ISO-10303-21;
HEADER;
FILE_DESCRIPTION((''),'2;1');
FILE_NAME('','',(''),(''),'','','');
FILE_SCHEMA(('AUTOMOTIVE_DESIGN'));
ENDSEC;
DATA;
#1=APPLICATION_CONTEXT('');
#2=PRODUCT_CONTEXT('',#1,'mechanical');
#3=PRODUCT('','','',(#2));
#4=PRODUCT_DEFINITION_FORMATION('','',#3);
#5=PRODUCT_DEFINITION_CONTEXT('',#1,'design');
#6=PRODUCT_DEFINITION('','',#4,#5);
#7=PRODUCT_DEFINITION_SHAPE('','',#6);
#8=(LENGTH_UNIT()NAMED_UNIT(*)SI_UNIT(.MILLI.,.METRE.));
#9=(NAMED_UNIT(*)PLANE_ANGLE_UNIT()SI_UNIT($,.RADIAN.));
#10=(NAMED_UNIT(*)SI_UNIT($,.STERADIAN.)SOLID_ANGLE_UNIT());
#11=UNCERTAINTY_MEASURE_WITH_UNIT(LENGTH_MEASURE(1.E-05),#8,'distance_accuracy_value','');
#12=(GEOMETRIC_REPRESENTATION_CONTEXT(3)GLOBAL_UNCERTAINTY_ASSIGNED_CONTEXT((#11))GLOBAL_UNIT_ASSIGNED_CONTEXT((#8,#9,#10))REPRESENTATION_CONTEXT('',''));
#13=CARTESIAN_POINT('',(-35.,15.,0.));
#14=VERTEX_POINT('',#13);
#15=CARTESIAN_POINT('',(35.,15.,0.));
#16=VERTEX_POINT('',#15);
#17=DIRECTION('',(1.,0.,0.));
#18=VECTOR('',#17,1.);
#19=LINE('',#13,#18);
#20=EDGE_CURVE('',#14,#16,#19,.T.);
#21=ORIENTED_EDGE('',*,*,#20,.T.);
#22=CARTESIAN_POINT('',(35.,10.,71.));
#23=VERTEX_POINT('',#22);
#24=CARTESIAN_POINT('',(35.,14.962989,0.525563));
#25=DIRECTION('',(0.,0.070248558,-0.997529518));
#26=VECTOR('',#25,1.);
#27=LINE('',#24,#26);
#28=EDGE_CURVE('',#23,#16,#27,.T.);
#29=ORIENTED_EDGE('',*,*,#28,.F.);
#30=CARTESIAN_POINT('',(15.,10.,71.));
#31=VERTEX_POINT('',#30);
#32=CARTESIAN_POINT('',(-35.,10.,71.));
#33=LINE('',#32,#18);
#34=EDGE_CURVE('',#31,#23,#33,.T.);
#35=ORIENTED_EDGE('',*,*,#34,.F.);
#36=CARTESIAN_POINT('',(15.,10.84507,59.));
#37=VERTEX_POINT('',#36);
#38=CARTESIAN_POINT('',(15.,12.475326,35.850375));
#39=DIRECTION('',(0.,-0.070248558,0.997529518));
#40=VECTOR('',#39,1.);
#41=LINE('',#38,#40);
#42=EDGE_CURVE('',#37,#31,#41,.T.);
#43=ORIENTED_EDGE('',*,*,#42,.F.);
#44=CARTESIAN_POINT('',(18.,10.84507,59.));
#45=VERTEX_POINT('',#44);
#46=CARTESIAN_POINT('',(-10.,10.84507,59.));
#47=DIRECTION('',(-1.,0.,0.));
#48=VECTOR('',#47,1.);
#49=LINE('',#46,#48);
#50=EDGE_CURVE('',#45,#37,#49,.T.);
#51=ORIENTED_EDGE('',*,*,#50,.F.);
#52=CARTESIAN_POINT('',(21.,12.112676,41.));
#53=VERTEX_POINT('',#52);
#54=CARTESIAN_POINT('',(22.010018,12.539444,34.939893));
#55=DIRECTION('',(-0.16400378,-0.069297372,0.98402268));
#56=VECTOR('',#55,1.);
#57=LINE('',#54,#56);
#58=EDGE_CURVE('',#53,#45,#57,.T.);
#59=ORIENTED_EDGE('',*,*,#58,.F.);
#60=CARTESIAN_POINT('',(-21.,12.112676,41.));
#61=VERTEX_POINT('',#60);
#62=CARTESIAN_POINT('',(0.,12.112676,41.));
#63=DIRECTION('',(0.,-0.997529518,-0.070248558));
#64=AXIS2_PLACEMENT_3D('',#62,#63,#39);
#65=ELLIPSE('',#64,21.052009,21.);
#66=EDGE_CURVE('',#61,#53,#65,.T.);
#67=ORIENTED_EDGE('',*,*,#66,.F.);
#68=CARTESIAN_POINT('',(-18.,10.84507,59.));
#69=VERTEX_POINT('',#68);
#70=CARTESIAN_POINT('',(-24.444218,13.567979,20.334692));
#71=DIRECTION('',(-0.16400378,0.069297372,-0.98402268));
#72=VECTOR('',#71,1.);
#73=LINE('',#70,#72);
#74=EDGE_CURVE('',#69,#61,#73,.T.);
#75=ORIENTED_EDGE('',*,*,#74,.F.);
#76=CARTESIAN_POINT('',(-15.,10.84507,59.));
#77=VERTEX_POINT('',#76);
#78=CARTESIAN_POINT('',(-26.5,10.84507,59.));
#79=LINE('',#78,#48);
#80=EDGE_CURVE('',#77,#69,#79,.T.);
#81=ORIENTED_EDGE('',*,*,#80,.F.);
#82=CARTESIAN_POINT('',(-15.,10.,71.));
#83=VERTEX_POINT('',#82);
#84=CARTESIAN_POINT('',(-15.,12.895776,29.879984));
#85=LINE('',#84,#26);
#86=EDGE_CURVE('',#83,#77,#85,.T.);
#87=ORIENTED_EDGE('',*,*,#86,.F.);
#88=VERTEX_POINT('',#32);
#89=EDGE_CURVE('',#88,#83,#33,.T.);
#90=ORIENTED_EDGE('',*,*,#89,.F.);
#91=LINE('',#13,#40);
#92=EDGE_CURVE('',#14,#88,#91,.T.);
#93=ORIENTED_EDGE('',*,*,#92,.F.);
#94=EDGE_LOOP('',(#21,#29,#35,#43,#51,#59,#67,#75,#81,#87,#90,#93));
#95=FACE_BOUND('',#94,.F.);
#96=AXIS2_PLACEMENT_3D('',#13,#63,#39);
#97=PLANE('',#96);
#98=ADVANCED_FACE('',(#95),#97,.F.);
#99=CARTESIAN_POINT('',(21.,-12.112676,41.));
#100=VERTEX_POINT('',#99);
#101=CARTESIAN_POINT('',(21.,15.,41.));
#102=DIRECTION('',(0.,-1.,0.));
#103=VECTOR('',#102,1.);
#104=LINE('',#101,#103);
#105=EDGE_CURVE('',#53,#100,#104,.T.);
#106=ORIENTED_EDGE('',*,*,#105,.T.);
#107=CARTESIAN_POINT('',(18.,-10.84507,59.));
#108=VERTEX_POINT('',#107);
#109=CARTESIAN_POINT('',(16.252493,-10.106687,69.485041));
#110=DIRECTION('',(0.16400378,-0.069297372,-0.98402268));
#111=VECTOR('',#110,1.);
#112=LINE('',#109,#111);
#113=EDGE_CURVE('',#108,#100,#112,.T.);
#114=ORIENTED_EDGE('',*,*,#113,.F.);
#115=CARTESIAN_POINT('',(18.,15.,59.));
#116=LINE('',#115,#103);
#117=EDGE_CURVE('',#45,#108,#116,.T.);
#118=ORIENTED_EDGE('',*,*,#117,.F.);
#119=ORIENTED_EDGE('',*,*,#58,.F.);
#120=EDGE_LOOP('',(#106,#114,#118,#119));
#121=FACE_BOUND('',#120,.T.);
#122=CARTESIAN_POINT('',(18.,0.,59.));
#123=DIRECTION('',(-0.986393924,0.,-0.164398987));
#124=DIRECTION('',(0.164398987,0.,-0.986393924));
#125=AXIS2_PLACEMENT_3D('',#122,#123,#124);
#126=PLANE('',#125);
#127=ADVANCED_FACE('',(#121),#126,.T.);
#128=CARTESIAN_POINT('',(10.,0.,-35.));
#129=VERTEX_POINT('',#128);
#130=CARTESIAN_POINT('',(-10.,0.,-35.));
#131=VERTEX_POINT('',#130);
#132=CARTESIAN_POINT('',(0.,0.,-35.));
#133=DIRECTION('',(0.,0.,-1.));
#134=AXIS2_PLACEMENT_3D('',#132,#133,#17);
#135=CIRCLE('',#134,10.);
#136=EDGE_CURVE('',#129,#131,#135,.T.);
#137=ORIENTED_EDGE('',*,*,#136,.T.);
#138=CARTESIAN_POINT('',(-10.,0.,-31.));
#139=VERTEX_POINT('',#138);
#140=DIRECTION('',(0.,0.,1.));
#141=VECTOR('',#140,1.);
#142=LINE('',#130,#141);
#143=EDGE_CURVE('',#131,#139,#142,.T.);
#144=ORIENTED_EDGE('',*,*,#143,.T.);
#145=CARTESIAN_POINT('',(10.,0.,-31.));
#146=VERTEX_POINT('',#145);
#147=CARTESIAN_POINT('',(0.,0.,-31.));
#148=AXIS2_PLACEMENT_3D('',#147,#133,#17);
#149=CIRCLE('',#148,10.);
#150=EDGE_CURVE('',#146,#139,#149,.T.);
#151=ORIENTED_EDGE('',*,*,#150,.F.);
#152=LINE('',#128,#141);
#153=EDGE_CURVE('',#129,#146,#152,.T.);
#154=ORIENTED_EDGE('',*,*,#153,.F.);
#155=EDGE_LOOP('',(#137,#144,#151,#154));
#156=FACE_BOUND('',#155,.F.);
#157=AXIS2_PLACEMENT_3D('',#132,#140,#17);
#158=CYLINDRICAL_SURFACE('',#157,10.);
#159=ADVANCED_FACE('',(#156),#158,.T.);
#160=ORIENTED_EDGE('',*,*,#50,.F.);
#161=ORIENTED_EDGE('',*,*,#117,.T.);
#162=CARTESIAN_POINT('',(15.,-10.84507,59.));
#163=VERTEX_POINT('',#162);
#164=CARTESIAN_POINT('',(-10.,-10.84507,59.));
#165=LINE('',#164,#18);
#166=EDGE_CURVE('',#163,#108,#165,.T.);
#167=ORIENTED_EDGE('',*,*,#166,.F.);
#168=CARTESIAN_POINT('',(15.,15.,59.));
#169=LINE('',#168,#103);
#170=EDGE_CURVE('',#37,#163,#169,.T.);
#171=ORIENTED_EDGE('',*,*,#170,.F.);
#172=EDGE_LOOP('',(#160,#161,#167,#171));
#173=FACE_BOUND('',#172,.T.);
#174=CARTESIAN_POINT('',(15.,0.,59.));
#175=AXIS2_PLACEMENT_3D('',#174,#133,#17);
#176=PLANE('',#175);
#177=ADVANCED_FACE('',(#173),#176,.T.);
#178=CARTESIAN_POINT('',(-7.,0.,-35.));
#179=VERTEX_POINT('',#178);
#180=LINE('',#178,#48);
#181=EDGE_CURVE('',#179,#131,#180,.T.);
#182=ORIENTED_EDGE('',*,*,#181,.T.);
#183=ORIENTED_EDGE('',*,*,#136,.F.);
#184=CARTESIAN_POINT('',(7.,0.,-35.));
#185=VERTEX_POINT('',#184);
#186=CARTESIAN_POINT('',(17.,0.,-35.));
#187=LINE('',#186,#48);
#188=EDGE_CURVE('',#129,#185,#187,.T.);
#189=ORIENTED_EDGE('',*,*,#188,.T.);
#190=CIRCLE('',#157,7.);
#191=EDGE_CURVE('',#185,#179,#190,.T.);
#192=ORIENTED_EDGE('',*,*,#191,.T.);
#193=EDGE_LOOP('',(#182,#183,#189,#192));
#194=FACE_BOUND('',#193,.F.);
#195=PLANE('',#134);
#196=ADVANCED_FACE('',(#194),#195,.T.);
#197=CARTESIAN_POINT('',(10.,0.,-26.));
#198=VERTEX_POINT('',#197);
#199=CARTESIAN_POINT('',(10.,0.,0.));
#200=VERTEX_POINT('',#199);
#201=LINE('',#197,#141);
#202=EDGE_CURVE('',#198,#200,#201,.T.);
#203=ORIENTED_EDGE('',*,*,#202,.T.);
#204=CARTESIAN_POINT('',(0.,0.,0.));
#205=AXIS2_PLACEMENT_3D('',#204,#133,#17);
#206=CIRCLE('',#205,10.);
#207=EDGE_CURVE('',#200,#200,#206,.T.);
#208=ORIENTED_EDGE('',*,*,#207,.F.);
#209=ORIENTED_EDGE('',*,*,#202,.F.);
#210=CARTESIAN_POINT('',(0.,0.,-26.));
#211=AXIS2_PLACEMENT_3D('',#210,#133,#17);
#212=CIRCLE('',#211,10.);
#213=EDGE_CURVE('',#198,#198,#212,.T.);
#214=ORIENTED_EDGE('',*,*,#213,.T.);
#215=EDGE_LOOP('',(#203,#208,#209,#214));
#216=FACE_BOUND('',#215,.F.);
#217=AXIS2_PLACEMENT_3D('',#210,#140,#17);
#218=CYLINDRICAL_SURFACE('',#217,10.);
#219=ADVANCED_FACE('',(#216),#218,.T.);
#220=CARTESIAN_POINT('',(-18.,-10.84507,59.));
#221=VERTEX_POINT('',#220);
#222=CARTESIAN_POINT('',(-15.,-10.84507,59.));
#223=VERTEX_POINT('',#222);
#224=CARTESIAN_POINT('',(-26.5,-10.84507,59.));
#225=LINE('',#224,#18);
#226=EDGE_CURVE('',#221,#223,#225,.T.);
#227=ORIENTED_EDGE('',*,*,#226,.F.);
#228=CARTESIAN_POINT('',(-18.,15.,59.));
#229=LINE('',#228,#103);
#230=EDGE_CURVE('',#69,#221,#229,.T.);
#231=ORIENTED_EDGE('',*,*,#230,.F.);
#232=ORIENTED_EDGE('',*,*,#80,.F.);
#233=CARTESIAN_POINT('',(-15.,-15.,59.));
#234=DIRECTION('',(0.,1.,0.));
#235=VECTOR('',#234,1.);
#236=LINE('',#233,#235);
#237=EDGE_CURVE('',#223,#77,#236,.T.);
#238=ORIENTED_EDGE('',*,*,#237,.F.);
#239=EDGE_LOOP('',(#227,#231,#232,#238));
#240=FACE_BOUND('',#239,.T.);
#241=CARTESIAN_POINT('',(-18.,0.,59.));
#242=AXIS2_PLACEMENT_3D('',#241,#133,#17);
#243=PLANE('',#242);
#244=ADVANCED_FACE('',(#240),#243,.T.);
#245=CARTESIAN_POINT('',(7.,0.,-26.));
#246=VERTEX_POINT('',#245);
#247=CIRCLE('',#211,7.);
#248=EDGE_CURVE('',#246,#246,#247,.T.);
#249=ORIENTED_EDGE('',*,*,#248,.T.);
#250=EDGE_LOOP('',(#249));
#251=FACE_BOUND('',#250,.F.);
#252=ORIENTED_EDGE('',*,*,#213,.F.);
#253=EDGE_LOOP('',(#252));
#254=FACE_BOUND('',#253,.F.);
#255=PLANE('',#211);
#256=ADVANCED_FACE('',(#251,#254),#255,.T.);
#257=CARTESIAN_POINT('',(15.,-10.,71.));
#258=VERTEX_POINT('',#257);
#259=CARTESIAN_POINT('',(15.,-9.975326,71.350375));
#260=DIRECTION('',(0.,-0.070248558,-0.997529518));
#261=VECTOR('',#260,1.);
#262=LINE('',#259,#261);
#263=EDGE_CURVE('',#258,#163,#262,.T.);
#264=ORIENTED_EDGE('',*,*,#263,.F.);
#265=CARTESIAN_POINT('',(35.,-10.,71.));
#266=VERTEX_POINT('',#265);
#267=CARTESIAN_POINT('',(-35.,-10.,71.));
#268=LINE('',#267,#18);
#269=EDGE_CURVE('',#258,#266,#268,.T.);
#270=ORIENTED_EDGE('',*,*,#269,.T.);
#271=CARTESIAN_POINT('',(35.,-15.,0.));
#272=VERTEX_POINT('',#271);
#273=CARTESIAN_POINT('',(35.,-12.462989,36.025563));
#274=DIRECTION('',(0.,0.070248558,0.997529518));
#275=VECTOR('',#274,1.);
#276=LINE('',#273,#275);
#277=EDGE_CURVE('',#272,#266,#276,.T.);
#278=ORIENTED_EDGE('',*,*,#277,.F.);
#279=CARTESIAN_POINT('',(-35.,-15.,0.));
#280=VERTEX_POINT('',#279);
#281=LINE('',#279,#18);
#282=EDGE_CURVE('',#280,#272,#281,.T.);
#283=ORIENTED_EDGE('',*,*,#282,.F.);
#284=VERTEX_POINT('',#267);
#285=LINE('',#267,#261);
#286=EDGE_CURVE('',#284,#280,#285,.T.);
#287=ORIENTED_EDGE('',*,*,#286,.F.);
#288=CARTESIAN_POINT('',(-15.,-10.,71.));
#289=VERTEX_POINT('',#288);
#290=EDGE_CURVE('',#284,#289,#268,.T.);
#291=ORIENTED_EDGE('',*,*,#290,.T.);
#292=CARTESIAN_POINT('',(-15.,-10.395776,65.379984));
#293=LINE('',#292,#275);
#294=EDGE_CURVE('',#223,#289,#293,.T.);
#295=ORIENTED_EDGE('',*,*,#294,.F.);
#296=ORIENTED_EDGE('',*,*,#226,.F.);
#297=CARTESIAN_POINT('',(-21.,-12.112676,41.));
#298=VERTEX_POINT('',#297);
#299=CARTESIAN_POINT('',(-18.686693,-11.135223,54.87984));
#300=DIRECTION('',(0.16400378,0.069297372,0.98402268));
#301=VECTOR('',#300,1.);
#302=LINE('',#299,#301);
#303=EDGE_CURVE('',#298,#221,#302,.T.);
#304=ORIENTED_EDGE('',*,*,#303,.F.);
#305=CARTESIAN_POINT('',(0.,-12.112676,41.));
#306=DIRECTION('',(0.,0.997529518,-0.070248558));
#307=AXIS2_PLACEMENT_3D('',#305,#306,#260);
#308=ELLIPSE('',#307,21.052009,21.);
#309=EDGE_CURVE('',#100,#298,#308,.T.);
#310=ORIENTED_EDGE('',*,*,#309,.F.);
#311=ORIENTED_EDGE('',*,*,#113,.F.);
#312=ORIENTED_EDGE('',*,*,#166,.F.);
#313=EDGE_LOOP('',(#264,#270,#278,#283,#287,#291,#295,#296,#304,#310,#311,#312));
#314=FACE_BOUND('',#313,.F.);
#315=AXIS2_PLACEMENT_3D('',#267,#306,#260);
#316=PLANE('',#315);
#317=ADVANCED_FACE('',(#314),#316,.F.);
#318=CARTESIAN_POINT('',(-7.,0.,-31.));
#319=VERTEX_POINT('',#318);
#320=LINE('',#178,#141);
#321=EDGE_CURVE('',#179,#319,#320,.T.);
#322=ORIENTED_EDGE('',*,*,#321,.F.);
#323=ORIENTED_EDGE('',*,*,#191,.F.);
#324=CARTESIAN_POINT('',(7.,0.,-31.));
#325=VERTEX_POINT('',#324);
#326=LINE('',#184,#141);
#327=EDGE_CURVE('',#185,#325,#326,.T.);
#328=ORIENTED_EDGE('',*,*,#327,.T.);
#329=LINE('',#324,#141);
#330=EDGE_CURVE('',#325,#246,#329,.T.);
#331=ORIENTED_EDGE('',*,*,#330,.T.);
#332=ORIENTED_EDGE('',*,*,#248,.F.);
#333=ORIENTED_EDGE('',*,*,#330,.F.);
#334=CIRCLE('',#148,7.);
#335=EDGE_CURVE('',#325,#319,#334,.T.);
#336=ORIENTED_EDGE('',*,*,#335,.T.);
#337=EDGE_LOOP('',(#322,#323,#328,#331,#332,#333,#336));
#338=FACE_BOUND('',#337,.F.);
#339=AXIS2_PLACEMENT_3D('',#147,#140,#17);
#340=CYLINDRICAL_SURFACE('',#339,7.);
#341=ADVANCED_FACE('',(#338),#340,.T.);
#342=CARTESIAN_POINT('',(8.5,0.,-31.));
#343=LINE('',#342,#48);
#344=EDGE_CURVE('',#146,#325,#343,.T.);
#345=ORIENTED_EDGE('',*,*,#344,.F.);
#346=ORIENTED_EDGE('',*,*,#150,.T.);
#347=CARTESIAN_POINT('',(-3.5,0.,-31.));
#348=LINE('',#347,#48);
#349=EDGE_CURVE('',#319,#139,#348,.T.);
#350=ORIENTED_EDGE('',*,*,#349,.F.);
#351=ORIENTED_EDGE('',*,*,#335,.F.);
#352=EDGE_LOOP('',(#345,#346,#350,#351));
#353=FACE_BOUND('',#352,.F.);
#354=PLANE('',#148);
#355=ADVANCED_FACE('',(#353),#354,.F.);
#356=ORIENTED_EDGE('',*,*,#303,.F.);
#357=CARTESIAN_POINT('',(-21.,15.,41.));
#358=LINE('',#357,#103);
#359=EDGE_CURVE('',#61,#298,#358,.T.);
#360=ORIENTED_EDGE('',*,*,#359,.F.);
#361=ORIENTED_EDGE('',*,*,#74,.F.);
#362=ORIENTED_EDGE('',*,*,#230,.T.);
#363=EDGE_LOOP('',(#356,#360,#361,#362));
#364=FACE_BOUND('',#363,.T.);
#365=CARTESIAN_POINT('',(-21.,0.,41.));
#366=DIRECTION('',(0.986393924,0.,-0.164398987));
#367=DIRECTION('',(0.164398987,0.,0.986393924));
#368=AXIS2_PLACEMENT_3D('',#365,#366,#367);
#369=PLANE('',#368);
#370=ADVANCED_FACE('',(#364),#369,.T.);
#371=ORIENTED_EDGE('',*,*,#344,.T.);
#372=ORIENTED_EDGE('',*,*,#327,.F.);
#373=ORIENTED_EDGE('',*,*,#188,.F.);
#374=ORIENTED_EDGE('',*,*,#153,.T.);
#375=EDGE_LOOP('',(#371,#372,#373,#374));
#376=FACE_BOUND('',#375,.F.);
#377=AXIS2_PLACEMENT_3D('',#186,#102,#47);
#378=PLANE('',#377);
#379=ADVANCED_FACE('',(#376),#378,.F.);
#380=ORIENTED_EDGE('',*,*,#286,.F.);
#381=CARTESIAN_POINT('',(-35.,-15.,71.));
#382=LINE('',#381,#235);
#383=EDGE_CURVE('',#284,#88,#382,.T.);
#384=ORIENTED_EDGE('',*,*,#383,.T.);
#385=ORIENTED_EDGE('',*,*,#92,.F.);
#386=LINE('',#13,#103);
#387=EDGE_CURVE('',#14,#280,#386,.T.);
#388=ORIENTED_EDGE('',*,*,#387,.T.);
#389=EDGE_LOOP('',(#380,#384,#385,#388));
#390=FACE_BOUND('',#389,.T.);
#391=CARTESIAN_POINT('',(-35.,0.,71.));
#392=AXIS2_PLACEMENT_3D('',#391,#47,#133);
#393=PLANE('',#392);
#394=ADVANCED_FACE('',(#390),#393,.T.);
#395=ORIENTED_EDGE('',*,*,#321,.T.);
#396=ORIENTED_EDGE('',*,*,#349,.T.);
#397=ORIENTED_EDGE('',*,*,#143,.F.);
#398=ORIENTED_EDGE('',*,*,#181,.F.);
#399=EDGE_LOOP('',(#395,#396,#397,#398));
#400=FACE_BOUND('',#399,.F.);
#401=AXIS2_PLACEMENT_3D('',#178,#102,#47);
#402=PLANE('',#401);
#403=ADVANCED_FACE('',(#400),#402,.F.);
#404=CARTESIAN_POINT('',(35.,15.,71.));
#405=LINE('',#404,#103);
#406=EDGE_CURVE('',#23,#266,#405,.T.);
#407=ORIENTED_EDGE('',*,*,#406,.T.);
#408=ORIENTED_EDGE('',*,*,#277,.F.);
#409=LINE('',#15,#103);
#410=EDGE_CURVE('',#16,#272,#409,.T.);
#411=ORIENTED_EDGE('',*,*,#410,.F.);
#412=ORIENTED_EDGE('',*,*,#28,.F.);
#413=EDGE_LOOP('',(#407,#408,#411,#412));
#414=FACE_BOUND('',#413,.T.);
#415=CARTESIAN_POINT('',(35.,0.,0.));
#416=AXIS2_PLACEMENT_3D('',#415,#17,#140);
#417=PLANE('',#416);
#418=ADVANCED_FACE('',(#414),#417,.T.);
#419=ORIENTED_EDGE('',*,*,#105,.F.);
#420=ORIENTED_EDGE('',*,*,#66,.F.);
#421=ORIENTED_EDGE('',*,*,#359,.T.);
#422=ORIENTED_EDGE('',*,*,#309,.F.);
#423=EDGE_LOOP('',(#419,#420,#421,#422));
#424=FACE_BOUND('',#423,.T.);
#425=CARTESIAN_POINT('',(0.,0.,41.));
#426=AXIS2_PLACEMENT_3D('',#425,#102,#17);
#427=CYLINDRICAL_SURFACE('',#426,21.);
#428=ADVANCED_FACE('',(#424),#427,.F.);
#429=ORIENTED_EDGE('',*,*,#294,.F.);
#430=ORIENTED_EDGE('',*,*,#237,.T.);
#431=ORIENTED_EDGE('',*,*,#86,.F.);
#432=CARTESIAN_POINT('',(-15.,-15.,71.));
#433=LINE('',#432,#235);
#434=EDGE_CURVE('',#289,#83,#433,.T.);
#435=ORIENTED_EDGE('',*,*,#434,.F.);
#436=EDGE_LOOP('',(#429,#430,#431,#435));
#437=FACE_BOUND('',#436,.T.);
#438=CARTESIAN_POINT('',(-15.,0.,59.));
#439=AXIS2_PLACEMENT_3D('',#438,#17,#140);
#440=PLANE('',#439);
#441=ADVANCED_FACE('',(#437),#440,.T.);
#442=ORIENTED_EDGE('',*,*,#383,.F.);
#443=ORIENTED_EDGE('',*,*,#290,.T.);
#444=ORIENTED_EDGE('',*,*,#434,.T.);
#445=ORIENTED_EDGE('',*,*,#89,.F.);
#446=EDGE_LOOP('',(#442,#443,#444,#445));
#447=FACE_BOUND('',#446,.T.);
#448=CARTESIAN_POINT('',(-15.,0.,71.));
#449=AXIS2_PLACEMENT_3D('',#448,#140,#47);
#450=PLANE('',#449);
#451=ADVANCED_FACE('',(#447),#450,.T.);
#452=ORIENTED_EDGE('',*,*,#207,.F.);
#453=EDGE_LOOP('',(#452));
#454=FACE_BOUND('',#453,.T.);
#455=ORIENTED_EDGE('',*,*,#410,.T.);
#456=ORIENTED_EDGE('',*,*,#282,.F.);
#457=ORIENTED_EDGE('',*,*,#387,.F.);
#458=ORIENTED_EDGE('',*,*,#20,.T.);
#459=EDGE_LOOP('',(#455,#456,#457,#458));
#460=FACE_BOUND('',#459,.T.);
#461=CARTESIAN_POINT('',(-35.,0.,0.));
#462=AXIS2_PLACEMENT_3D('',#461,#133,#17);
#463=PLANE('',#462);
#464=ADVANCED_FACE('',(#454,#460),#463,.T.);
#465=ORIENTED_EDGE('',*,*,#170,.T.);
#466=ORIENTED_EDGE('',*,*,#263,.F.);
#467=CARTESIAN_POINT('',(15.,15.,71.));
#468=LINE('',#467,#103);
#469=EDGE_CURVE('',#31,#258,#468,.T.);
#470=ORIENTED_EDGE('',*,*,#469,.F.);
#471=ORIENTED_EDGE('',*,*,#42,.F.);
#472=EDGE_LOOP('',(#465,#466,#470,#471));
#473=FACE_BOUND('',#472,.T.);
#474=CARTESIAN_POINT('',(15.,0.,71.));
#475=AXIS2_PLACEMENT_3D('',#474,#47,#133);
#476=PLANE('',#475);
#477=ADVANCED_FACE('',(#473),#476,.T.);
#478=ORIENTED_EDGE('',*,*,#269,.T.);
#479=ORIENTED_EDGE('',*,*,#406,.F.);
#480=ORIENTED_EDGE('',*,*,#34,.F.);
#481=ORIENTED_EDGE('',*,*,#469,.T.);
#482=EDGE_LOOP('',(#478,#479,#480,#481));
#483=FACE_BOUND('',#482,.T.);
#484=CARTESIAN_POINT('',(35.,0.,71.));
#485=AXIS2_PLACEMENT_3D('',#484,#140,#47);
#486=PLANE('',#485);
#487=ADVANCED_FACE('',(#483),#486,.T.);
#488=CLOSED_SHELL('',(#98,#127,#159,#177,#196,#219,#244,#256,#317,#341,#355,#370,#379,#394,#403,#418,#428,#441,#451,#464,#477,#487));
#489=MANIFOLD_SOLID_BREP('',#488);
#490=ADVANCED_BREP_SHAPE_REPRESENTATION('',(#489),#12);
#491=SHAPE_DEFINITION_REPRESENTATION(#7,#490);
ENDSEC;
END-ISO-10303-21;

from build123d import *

# Parameters (mm, degrees)
F1_DEPTH = 15
F3_DEPTH = 70.001
F7_DEPTH = 6


with BuildPart() as f1:
    # F0 (on Front) → F1 (new body, symmetric)
    with BuildSketch(Plane.XZ):
        with BuildLine():
            Line((-35, 71), (-35, 0))
            Line((-35, 0), (35, 0))
            Line((35, 0), (35, 71))
            Line((35, 71), (15, 71))
            Line((15, 71), (15, 59))
            Line((15, 59), (18, 59))
            Line((18, 59), (21, 41))
            ThreePointArc((21, 41), (0, 20), (-21, 41))
            Line((-21, 41), (-18, 59))
            Line((-18, 59), (-15, 59))
            Line((-15, 59), (-15, 71))
            Line((-15, 71), (-35, 71))
        make_face()
    extrude(amount=F1_DEPTH, both=True)

    # F2 (on face) → F3 (cut, through all)
    with BuildSketch(Plane(origin=(-35, 0, 0), x_dir=(0, -1, 0), z_dir=(-1, 0, 0))):
        Polygon((-10, 71), (-15, 71), (-15, 0), align=None)
        Polygon((10, 71), (15, 0), (15, 71), align=None)
    extrude(amount=-F3_DEPTH, mode=Mode.SUBTRACT)

    # F4 (on Front) → F5 (revolve)
    with BuildSketch(Plane.XZ):
        Polygon((10, 0), (0, 0), (0, -35), (10, -35), (10, -31), (7, -31), (7, -26), (10, -26), align=None)
    revolve(axis=Axis((0, 0, -17.5), (0, 0, -1)))

    # F6 (on face) → F7 (cut)
    with BuildSketch(Plane(origin=(0, 0, -35), x_dir=(1, 0, 0), z_dir=(0, 0, -1))):
        with BuildLine():
            Line((17, 0), (7, 0))
            ThreePointArc((7, 0), (0, -7), (-7, 0))
            Line((-7, 0), (-17, 0))
            Line((-17, 0), (-17, -25.996203))
            Line((-17, -25.996203), (17, -25.996203))
            Line((17, -25.996203), (17, 0))
        make_face()
    extrude(amount=-F7_DEPTH, mode=Mode.SUBTRACT)


solid = f1.part
